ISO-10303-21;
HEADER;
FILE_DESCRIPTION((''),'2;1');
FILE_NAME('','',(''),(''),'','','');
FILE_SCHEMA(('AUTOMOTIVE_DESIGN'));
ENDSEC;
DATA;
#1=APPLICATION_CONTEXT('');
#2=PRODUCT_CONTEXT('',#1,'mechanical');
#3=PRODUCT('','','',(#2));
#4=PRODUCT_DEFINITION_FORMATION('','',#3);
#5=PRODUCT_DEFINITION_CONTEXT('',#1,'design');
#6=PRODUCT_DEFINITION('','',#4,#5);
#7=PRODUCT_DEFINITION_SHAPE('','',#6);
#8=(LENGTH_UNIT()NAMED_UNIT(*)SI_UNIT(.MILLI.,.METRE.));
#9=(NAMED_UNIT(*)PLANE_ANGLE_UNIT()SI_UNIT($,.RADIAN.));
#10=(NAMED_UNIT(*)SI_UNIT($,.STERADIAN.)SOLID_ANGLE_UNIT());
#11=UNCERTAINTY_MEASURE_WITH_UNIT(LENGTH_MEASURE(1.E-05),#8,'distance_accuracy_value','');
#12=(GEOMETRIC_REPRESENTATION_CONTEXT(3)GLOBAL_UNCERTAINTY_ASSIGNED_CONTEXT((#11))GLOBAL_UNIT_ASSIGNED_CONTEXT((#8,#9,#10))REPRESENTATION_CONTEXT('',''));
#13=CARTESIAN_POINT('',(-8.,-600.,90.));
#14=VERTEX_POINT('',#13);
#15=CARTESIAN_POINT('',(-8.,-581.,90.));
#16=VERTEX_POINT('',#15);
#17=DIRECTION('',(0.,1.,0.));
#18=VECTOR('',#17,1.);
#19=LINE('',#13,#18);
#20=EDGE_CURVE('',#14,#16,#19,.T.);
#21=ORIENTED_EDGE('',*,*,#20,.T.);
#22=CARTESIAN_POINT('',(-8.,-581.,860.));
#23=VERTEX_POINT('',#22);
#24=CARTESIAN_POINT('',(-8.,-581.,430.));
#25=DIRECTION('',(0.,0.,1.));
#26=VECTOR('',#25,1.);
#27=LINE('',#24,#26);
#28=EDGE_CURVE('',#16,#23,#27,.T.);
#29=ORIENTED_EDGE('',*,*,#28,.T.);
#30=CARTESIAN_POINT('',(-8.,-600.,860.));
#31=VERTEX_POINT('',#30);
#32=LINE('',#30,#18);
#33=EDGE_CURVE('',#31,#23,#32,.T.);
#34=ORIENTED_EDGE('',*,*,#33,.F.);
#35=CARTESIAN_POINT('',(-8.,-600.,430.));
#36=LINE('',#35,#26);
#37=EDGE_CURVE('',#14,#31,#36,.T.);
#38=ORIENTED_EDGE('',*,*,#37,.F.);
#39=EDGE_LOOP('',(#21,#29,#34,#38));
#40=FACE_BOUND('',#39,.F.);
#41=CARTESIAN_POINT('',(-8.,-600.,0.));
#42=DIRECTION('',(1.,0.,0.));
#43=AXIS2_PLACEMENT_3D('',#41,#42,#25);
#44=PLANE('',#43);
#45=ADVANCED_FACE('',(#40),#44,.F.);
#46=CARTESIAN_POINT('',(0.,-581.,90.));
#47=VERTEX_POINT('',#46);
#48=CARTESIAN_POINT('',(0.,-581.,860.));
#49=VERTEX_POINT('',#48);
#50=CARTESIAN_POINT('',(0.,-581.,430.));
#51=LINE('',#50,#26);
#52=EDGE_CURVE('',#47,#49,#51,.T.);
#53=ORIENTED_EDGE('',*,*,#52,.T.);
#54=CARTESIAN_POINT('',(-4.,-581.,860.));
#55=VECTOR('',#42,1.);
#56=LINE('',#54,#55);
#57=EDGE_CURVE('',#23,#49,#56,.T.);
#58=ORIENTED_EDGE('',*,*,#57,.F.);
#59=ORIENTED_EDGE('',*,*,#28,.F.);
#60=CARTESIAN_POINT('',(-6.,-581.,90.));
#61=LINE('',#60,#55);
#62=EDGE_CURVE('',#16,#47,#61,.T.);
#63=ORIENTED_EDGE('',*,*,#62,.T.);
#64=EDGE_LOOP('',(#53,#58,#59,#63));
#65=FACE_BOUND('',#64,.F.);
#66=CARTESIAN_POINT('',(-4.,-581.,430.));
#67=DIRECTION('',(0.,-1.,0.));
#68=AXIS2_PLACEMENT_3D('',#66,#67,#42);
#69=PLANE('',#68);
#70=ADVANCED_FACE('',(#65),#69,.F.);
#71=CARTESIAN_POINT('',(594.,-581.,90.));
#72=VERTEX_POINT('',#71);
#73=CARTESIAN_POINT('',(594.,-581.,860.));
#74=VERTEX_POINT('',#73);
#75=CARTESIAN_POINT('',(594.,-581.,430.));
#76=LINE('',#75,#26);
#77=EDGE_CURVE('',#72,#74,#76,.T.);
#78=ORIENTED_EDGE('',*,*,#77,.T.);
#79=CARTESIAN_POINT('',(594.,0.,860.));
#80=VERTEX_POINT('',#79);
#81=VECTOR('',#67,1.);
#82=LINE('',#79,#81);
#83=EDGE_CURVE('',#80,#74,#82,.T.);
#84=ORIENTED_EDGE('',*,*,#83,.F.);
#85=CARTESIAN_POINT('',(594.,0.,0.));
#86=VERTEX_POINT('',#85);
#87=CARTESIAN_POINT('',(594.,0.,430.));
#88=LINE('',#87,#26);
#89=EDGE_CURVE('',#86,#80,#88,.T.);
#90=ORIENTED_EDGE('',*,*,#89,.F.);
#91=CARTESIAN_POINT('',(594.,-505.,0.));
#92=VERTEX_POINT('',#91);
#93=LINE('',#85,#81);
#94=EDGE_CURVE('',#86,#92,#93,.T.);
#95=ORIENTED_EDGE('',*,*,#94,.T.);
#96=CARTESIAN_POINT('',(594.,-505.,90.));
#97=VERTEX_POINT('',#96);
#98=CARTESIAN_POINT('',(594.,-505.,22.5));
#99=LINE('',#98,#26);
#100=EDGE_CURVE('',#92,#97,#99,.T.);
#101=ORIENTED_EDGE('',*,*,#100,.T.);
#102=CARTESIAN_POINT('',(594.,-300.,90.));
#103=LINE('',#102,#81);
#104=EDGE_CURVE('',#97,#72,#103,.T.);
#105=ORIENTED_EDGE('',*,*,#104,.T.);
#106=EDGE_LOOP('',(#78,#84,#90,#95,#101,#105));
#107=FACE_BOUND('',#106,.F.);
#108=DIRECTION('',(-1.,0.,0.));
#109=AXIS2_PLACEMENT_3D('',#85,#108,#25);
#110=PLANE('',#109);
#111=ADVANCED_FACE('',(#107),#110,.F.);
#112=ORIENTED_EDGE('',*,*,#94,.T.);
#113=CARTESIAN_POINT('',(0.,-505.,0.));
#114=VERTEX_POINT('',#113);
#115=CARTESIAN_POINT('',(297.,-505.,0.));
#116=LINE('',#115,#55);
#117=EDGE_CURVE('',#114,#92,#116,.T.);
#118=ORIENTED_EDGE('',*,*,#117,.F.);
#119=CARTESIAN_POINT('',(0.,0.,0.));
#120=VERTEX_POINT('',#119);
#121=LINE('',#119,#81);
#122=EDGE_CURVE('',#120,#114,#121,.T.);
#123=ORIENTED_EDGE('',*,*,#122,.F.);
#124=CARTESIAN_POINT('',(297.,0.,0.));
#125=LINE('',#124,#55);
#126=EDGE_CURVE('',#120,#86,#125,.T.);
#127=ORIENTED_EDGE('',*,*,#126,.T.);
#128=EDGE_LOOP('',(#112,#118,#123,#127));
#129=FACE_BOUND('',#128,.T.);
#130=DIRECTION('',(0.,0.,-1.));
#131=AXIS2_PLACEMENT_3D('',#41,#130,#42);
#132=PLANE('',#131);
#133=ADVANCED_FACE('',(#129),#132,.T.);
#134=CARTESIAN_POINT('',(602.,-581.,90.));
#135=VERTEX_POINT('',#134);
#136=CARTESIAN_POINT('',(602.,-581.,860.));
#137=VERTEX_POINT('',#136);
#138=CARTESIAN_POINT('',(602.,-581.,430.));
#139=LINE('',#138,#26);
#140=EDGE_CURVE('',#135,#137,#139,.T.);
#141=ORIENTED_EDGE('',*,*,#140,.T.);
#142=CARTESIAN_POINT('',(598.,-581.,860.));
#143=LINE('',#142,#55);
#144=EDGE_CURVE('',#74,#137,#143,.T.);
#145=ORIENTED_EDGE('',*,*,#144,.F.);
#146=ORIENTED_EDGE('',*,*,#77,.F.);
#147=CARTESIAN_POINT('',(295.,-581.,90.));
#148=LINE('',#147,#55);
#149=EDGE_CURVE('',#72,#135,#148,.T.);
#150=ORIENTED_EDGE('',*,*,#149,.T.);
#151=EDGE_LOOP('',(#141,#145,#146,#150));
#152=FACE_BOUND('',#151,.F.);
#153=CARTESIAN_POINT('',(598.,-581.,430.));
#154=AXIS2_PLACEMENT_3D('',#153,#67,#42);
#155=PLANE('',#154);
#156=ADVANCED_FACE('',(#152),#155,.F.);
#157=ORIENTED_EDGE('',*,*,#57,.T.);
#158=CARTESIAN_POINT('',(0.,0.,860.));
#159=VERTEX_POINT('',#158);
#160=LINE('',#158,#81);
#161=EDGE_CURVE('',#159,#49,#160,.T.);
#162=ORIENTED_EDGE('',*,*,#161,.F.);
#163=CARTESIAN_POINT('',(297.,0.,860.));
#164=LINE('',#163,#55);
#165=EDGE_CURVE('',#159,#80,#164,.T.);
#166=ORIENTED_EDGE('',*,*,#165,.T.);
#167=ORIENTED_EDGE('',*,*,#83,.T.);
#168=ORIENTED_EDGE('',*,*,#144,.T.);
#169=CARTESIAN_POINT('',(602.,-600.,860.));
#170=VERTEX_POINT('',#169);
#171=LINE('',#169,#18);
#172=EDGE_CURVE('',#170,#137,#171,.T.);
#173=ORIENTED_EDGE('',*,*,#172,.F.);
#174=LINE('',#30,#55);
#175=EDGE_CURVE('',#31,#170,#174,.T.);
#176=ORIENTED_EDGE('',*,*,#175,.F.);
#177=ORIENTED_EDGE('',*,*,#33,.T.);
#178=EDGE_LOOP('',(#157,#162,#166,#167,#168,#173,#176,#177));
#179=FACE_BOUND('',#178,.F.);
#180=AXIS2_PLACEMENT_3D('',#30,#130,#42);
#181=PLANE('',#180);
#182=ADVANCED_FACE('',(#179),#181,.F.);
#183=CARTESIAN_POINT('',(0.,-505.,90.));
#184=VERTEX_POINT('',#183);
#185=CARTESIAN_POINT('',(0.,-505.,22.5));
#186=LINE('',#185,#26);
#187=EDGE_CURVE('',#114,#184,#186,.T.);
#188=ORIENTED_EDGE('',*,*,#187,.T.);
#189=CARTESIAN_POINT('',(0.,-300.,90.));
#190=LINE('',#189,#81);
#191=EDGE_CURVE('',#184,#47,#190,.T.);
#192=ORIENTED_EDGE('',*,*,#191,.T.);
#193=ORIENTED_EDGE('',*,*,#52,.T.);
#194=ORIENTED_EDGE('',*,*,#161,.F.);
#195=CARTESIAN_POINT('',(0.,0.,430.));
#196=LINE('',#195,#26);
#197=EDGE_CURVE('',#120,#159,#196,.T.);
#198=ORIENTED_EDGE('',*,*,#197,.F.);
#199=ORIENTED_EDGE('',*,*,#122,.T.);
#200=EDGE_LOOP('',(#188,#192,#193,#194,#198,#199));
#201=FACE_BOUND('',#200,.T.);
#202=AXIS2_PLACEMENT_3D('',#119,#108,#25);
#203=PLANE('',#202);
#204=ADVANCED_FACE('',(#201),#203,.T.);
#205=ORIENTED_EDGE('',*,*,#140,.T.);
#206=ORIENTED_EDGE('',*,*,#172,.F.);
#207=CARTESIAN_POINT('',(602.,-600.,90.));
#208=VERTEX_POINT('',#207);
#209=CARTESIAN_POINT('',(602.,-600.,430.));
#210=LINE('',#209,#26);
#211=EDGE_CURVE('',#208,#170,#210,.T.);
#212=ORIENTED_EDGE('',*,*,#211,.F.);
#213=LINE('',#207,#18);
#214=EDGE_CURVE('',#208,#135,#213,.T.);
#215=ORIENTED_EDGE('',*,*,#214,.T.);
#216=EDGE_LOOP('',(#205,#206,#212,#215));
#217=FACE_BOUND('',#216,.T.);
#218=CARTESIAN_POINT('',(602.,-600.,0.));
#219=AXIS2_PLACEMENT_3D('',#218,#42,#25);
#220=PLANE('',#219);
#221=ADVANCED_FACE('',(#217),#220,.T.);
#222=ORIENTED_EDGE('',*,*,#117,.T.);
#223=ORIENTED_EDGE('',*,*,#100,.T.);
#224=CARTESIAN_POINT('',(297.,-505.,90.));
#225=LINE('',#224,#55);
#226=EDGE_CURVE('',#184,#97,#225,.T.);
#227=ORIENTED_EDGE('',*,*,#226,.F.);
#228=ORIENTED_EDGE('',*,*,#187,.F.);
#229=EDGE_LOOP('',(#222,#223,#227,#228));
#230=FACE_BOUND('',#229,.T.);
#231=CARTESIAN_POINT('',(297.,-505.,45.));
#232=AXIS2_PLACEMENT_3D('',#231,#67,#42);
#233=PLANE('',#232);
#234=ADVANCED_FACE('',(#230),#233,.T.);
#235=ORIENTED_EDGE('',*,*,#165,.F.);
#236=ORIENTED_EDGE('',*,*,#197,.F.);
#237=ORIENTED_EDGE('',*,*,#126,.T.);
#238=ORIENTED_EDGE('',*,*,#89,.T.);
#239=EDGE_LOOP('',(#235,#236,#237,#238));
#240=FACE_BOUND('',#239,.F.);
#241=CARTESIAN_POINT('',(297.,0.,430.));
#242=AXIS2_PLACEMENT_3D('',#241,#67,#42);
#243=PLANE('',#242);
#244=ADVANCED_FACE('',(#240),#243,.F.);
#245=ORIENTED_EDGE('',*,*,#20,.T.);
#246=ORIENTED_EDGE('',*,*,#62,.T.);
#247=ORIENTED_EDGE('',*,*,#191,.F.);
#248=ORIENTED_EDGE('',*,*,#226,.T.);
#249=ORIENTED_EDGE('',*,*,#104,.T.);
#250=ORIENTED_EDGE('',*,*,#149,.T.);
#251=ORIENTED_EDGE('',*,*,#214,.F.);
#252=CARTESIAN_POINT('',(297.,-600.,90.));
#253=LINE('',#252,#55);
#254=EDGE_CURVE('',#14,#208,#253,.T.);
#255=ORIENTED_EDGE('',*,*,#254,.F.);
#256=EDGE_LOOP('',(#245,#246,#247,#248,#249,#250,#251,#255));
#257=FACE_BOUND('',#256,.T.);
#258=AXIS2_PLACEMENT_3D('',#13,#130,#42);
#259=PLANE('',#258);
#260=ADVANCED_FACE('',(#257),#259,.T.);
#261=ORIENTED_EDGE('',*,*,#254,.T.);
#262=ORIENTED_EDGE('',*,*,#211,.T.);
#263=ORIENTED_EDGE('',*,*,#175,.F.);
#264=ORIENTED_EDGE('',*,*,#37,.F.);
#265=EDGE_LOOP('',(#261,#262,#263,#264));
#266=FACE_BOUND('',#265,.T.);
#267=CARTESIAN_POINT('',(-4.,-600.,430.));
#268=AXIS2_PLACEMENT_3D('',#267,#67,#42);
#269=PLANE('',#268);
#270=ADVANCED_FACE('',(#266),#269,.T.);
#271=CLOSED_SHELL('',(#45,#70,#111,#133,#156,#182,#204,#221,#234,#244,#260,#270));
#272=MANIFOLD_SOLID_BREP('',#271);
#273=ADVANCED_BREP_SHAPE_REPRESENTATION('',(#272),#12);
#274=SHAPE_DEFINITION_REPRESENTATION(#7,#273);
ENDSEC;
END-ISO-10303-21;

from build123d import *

# Parameters (mm, degrees)
F0_W     = 594
F0_H     = 860
F1_DEPTH = 600
F2_W     = 8
F2_H     = 860
F3_DEPTH = 19
F4_W     = 610
F4_H     = 90
F5_DEPTH = 95


with BuildPart() as f1:
    # F0 (on Front) → F1 (new body)
    with BuildSketch(Plane.XZ):
        with Locations((297, 430)):
            Rectangle(F0_W, F0_H)
    extrude(amount=F1_DEPTH)

    # F2 (on face) → F3 (join)
    with BuildSketch(Plane.XZ.offset(600)):
        with Locations((-4, 430)):
            Rectangle(F2_W, F2_H)
        with Locations((598, 430)):
            Rectangle(F2_W, F2_H)
    extrude(amount=-F3_DEPTH)

    # F4 (on face) → F5 (cut)
    with BuildSketch(Plane.XZ.offset(600)):
        with Locations((297, 45)):
            Rectangle(F4_W, F4_H)
    extrude(amount=-F5_DEPTH, mode=Mode.SUBTRACT)


solid = f1.part
